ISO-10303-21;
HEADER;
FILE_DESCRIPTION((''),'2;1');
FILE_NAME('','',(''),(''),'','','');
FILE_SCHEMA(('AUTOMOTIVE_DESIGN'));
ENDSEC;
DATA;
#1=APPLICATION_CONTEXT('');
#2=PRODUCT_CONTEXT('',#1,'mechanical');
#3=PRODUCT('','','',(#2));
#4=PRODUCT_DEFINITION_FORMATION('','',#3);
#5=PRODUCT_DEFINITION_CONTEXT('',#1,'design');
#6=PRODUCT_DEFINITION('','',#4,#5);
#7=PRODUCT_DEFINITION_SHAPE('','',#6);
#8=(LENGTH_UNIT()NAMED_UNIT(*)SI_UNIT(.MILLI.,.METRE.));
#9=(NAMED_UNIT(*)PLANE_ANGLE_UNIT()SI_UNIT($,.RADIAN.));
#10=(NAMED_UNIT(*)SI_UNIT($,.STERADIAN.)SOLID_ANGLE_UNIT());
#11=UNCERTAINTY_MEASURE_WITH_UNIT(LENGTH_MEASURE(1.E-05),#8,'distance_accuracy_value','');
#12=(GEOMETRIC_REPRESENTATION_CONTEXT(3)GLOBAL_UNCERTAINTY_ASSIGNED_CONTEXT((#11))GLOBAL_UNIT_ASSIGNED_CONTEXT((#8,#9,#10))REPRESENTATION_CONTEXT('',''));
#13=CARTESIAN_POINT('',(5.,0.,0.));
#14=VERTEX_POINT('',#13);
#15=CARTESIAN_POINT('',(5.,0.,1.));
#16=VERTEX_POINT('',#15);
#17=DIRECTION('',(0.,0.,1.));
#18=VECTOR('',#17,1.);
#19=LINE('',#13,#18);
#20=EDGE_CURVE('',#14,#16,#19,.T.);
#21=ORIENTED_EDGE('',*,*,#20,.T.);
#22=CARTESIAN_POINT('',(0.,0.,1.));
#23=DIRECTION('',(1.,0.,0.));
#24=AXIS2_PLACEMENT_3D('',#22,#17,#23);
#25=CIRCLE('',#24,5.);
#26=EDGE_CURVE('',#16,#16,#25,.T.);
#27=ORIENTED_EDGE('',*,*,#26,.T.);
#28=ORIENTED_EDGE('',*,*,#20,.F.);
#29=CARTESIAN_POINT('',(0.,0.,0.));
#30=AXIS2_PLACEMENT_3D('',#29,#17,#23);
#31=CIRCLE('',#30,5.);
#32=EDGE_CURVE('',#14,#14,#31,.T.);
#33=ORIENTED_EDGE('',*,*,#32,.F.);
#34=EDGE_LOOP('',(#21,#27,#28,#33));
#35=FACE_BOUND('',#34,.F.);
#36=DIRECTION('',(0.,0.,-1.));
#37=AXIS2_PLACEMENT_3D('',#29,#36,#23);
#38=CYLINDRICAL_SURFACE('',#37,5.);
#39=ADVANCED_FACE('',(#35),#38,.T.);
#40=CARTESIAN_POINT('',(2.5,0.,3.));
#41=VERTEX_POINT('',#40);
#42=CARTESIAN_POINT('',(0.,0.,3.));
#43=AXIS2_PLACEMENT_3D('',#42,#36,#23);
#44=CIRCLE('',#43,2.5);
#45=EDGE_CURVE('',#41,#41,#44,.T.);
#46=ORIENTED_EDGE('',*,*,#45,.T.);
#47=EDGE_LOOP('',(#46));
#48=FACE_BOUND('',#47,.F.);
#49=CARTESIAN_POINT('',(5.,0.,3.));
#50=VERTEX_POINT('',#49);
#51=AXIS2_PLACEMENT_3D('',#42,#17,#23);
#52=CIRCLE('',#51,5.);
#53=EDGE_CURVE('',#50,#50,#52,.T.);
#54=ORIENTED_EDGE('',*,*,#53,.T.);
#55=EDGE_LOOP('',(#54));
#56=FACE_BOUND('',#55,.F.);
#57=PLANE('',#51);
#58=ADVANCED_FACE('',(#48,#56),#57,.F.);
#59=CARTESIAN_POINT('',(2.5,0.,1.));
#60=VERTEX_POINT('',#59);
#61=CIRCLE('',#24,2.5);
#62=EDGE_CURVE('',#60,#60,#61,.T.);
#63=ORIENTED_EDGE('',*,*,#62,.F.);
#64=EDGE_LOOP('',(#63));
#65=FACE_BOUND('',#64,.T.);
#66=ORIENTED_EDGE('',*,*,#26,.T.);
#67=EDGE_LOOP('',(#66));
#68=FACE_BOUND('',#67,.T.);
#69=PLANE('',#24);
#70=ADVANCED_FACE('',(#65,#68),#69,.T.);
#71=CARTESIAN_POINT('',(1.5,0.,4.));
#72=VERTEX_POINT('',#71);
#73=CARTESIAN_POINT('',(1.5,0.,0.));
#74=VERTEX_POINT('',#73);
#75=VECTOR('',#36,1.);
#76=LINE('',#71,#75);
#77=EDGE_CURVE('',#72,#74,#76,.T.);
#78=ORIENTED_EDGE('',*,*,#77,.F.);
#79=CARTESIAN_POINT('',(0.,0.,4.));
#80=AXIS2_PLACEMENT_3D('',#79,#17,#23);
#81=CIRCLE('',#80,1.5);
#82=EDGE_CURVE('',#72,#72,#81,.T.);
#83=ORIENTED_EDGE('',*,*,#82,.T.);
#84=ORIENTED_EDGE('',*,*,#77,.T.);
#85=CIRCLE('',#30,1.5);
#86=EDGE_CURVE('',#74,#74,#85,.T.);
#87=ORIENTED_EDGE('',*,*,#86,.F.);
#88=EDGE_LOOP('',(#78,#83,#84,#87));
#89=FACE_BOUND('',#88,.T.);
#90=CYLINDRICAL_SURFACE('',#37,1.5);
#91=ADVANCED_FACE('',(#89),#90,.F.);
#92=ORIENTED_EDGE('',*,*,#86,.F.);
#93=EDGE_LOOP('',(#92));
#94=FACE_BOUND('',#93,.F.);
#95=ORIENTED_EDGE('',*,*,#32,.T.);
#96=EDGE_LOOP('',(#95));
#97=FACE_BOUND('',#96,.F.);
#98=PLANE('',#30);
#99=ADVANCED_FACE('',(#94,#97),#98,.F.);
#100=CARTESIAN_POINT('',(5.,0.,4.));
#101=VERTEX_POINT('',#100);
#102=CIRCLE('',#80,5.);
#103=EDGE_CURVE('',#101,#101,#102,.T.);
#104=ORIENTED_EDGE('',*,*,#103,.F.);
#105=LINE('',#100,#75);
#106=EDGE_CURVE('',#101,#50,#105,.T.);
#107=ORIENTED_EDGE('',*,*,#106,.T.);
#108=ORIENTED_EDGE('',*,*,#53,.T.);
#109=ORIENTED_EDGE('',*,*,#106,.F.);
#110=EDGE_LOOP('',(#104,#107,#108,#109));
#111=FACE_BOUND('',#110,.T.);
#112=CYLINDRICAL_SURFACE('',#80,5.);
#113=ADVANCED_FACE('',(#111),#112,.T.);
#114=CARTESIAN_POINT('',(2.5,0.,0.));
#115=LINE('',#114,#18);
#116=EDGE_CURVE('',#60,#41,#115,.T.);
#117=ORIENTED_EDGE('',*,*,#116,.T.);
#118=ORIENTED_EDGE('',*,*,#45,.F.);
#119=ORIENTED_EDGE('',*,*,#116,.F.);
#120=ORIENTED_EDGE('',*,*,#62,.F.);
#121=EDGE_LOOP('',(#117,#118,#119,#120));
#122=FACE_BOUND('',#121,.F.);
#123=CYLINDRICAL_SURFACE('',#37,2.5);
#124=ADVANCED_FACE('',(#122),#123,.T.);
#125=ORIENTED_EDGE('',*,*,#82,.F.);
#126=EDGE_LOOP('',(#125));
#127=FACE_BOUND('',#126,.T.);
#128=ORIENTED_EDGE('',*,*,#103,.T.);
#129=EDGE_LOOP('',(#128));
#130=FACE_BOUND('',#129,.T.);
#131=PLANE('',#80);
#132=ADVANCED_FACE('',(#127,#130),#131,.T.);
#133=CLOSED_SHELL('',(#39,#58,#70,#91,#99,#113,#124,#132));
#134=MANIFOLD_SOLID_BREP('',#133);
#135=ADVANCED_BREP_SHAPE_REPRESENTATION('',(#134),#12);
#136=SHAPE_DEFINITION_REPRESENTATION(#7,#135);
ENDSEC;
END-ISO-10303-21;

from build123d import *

# Parameters (mm, degrees)
F0_R     = 2.5
F0_R_2   = 1.5
F1_DEPTH = 4
F0_R_3   = 5
F2_DEPTH = 1
F3_R     = 5
F3_R_2   = 2.5
F3_R_3   = 1.5
F4_DEPTH = 1


with BuildPart() as f1:
    # F0 (on Top) → F1 (new body)
    with BuildSketch(Plane.XY):
        Circle(F0_R)
        Circle(F0_R_2, mode=Mode.SUBTRACT)
    extrude(amount=F1_DEPTH)

    # F0 (on Top) → F2 (join)
    with BuildSketch(Plane.XY):
        Circle(F0_R_3)
        Circle(F0_R, mode=Mode.SUBTRACT)
    extrude(amount=F2_DEPTH)

    # F3 (on face) → F4 (join)
    with BuildSketch(Plane.XY.offset(4)):
        Circle(F3_R)
        Circle(F3_R_2, mode=Mode.SUBTRACT)
        Circle(F3_R_2)
        Circle(F3_R_3, mode=Mode.SUBTRACT)
    extrude(amount=-F4_DEPTH)


solid = f1.part
